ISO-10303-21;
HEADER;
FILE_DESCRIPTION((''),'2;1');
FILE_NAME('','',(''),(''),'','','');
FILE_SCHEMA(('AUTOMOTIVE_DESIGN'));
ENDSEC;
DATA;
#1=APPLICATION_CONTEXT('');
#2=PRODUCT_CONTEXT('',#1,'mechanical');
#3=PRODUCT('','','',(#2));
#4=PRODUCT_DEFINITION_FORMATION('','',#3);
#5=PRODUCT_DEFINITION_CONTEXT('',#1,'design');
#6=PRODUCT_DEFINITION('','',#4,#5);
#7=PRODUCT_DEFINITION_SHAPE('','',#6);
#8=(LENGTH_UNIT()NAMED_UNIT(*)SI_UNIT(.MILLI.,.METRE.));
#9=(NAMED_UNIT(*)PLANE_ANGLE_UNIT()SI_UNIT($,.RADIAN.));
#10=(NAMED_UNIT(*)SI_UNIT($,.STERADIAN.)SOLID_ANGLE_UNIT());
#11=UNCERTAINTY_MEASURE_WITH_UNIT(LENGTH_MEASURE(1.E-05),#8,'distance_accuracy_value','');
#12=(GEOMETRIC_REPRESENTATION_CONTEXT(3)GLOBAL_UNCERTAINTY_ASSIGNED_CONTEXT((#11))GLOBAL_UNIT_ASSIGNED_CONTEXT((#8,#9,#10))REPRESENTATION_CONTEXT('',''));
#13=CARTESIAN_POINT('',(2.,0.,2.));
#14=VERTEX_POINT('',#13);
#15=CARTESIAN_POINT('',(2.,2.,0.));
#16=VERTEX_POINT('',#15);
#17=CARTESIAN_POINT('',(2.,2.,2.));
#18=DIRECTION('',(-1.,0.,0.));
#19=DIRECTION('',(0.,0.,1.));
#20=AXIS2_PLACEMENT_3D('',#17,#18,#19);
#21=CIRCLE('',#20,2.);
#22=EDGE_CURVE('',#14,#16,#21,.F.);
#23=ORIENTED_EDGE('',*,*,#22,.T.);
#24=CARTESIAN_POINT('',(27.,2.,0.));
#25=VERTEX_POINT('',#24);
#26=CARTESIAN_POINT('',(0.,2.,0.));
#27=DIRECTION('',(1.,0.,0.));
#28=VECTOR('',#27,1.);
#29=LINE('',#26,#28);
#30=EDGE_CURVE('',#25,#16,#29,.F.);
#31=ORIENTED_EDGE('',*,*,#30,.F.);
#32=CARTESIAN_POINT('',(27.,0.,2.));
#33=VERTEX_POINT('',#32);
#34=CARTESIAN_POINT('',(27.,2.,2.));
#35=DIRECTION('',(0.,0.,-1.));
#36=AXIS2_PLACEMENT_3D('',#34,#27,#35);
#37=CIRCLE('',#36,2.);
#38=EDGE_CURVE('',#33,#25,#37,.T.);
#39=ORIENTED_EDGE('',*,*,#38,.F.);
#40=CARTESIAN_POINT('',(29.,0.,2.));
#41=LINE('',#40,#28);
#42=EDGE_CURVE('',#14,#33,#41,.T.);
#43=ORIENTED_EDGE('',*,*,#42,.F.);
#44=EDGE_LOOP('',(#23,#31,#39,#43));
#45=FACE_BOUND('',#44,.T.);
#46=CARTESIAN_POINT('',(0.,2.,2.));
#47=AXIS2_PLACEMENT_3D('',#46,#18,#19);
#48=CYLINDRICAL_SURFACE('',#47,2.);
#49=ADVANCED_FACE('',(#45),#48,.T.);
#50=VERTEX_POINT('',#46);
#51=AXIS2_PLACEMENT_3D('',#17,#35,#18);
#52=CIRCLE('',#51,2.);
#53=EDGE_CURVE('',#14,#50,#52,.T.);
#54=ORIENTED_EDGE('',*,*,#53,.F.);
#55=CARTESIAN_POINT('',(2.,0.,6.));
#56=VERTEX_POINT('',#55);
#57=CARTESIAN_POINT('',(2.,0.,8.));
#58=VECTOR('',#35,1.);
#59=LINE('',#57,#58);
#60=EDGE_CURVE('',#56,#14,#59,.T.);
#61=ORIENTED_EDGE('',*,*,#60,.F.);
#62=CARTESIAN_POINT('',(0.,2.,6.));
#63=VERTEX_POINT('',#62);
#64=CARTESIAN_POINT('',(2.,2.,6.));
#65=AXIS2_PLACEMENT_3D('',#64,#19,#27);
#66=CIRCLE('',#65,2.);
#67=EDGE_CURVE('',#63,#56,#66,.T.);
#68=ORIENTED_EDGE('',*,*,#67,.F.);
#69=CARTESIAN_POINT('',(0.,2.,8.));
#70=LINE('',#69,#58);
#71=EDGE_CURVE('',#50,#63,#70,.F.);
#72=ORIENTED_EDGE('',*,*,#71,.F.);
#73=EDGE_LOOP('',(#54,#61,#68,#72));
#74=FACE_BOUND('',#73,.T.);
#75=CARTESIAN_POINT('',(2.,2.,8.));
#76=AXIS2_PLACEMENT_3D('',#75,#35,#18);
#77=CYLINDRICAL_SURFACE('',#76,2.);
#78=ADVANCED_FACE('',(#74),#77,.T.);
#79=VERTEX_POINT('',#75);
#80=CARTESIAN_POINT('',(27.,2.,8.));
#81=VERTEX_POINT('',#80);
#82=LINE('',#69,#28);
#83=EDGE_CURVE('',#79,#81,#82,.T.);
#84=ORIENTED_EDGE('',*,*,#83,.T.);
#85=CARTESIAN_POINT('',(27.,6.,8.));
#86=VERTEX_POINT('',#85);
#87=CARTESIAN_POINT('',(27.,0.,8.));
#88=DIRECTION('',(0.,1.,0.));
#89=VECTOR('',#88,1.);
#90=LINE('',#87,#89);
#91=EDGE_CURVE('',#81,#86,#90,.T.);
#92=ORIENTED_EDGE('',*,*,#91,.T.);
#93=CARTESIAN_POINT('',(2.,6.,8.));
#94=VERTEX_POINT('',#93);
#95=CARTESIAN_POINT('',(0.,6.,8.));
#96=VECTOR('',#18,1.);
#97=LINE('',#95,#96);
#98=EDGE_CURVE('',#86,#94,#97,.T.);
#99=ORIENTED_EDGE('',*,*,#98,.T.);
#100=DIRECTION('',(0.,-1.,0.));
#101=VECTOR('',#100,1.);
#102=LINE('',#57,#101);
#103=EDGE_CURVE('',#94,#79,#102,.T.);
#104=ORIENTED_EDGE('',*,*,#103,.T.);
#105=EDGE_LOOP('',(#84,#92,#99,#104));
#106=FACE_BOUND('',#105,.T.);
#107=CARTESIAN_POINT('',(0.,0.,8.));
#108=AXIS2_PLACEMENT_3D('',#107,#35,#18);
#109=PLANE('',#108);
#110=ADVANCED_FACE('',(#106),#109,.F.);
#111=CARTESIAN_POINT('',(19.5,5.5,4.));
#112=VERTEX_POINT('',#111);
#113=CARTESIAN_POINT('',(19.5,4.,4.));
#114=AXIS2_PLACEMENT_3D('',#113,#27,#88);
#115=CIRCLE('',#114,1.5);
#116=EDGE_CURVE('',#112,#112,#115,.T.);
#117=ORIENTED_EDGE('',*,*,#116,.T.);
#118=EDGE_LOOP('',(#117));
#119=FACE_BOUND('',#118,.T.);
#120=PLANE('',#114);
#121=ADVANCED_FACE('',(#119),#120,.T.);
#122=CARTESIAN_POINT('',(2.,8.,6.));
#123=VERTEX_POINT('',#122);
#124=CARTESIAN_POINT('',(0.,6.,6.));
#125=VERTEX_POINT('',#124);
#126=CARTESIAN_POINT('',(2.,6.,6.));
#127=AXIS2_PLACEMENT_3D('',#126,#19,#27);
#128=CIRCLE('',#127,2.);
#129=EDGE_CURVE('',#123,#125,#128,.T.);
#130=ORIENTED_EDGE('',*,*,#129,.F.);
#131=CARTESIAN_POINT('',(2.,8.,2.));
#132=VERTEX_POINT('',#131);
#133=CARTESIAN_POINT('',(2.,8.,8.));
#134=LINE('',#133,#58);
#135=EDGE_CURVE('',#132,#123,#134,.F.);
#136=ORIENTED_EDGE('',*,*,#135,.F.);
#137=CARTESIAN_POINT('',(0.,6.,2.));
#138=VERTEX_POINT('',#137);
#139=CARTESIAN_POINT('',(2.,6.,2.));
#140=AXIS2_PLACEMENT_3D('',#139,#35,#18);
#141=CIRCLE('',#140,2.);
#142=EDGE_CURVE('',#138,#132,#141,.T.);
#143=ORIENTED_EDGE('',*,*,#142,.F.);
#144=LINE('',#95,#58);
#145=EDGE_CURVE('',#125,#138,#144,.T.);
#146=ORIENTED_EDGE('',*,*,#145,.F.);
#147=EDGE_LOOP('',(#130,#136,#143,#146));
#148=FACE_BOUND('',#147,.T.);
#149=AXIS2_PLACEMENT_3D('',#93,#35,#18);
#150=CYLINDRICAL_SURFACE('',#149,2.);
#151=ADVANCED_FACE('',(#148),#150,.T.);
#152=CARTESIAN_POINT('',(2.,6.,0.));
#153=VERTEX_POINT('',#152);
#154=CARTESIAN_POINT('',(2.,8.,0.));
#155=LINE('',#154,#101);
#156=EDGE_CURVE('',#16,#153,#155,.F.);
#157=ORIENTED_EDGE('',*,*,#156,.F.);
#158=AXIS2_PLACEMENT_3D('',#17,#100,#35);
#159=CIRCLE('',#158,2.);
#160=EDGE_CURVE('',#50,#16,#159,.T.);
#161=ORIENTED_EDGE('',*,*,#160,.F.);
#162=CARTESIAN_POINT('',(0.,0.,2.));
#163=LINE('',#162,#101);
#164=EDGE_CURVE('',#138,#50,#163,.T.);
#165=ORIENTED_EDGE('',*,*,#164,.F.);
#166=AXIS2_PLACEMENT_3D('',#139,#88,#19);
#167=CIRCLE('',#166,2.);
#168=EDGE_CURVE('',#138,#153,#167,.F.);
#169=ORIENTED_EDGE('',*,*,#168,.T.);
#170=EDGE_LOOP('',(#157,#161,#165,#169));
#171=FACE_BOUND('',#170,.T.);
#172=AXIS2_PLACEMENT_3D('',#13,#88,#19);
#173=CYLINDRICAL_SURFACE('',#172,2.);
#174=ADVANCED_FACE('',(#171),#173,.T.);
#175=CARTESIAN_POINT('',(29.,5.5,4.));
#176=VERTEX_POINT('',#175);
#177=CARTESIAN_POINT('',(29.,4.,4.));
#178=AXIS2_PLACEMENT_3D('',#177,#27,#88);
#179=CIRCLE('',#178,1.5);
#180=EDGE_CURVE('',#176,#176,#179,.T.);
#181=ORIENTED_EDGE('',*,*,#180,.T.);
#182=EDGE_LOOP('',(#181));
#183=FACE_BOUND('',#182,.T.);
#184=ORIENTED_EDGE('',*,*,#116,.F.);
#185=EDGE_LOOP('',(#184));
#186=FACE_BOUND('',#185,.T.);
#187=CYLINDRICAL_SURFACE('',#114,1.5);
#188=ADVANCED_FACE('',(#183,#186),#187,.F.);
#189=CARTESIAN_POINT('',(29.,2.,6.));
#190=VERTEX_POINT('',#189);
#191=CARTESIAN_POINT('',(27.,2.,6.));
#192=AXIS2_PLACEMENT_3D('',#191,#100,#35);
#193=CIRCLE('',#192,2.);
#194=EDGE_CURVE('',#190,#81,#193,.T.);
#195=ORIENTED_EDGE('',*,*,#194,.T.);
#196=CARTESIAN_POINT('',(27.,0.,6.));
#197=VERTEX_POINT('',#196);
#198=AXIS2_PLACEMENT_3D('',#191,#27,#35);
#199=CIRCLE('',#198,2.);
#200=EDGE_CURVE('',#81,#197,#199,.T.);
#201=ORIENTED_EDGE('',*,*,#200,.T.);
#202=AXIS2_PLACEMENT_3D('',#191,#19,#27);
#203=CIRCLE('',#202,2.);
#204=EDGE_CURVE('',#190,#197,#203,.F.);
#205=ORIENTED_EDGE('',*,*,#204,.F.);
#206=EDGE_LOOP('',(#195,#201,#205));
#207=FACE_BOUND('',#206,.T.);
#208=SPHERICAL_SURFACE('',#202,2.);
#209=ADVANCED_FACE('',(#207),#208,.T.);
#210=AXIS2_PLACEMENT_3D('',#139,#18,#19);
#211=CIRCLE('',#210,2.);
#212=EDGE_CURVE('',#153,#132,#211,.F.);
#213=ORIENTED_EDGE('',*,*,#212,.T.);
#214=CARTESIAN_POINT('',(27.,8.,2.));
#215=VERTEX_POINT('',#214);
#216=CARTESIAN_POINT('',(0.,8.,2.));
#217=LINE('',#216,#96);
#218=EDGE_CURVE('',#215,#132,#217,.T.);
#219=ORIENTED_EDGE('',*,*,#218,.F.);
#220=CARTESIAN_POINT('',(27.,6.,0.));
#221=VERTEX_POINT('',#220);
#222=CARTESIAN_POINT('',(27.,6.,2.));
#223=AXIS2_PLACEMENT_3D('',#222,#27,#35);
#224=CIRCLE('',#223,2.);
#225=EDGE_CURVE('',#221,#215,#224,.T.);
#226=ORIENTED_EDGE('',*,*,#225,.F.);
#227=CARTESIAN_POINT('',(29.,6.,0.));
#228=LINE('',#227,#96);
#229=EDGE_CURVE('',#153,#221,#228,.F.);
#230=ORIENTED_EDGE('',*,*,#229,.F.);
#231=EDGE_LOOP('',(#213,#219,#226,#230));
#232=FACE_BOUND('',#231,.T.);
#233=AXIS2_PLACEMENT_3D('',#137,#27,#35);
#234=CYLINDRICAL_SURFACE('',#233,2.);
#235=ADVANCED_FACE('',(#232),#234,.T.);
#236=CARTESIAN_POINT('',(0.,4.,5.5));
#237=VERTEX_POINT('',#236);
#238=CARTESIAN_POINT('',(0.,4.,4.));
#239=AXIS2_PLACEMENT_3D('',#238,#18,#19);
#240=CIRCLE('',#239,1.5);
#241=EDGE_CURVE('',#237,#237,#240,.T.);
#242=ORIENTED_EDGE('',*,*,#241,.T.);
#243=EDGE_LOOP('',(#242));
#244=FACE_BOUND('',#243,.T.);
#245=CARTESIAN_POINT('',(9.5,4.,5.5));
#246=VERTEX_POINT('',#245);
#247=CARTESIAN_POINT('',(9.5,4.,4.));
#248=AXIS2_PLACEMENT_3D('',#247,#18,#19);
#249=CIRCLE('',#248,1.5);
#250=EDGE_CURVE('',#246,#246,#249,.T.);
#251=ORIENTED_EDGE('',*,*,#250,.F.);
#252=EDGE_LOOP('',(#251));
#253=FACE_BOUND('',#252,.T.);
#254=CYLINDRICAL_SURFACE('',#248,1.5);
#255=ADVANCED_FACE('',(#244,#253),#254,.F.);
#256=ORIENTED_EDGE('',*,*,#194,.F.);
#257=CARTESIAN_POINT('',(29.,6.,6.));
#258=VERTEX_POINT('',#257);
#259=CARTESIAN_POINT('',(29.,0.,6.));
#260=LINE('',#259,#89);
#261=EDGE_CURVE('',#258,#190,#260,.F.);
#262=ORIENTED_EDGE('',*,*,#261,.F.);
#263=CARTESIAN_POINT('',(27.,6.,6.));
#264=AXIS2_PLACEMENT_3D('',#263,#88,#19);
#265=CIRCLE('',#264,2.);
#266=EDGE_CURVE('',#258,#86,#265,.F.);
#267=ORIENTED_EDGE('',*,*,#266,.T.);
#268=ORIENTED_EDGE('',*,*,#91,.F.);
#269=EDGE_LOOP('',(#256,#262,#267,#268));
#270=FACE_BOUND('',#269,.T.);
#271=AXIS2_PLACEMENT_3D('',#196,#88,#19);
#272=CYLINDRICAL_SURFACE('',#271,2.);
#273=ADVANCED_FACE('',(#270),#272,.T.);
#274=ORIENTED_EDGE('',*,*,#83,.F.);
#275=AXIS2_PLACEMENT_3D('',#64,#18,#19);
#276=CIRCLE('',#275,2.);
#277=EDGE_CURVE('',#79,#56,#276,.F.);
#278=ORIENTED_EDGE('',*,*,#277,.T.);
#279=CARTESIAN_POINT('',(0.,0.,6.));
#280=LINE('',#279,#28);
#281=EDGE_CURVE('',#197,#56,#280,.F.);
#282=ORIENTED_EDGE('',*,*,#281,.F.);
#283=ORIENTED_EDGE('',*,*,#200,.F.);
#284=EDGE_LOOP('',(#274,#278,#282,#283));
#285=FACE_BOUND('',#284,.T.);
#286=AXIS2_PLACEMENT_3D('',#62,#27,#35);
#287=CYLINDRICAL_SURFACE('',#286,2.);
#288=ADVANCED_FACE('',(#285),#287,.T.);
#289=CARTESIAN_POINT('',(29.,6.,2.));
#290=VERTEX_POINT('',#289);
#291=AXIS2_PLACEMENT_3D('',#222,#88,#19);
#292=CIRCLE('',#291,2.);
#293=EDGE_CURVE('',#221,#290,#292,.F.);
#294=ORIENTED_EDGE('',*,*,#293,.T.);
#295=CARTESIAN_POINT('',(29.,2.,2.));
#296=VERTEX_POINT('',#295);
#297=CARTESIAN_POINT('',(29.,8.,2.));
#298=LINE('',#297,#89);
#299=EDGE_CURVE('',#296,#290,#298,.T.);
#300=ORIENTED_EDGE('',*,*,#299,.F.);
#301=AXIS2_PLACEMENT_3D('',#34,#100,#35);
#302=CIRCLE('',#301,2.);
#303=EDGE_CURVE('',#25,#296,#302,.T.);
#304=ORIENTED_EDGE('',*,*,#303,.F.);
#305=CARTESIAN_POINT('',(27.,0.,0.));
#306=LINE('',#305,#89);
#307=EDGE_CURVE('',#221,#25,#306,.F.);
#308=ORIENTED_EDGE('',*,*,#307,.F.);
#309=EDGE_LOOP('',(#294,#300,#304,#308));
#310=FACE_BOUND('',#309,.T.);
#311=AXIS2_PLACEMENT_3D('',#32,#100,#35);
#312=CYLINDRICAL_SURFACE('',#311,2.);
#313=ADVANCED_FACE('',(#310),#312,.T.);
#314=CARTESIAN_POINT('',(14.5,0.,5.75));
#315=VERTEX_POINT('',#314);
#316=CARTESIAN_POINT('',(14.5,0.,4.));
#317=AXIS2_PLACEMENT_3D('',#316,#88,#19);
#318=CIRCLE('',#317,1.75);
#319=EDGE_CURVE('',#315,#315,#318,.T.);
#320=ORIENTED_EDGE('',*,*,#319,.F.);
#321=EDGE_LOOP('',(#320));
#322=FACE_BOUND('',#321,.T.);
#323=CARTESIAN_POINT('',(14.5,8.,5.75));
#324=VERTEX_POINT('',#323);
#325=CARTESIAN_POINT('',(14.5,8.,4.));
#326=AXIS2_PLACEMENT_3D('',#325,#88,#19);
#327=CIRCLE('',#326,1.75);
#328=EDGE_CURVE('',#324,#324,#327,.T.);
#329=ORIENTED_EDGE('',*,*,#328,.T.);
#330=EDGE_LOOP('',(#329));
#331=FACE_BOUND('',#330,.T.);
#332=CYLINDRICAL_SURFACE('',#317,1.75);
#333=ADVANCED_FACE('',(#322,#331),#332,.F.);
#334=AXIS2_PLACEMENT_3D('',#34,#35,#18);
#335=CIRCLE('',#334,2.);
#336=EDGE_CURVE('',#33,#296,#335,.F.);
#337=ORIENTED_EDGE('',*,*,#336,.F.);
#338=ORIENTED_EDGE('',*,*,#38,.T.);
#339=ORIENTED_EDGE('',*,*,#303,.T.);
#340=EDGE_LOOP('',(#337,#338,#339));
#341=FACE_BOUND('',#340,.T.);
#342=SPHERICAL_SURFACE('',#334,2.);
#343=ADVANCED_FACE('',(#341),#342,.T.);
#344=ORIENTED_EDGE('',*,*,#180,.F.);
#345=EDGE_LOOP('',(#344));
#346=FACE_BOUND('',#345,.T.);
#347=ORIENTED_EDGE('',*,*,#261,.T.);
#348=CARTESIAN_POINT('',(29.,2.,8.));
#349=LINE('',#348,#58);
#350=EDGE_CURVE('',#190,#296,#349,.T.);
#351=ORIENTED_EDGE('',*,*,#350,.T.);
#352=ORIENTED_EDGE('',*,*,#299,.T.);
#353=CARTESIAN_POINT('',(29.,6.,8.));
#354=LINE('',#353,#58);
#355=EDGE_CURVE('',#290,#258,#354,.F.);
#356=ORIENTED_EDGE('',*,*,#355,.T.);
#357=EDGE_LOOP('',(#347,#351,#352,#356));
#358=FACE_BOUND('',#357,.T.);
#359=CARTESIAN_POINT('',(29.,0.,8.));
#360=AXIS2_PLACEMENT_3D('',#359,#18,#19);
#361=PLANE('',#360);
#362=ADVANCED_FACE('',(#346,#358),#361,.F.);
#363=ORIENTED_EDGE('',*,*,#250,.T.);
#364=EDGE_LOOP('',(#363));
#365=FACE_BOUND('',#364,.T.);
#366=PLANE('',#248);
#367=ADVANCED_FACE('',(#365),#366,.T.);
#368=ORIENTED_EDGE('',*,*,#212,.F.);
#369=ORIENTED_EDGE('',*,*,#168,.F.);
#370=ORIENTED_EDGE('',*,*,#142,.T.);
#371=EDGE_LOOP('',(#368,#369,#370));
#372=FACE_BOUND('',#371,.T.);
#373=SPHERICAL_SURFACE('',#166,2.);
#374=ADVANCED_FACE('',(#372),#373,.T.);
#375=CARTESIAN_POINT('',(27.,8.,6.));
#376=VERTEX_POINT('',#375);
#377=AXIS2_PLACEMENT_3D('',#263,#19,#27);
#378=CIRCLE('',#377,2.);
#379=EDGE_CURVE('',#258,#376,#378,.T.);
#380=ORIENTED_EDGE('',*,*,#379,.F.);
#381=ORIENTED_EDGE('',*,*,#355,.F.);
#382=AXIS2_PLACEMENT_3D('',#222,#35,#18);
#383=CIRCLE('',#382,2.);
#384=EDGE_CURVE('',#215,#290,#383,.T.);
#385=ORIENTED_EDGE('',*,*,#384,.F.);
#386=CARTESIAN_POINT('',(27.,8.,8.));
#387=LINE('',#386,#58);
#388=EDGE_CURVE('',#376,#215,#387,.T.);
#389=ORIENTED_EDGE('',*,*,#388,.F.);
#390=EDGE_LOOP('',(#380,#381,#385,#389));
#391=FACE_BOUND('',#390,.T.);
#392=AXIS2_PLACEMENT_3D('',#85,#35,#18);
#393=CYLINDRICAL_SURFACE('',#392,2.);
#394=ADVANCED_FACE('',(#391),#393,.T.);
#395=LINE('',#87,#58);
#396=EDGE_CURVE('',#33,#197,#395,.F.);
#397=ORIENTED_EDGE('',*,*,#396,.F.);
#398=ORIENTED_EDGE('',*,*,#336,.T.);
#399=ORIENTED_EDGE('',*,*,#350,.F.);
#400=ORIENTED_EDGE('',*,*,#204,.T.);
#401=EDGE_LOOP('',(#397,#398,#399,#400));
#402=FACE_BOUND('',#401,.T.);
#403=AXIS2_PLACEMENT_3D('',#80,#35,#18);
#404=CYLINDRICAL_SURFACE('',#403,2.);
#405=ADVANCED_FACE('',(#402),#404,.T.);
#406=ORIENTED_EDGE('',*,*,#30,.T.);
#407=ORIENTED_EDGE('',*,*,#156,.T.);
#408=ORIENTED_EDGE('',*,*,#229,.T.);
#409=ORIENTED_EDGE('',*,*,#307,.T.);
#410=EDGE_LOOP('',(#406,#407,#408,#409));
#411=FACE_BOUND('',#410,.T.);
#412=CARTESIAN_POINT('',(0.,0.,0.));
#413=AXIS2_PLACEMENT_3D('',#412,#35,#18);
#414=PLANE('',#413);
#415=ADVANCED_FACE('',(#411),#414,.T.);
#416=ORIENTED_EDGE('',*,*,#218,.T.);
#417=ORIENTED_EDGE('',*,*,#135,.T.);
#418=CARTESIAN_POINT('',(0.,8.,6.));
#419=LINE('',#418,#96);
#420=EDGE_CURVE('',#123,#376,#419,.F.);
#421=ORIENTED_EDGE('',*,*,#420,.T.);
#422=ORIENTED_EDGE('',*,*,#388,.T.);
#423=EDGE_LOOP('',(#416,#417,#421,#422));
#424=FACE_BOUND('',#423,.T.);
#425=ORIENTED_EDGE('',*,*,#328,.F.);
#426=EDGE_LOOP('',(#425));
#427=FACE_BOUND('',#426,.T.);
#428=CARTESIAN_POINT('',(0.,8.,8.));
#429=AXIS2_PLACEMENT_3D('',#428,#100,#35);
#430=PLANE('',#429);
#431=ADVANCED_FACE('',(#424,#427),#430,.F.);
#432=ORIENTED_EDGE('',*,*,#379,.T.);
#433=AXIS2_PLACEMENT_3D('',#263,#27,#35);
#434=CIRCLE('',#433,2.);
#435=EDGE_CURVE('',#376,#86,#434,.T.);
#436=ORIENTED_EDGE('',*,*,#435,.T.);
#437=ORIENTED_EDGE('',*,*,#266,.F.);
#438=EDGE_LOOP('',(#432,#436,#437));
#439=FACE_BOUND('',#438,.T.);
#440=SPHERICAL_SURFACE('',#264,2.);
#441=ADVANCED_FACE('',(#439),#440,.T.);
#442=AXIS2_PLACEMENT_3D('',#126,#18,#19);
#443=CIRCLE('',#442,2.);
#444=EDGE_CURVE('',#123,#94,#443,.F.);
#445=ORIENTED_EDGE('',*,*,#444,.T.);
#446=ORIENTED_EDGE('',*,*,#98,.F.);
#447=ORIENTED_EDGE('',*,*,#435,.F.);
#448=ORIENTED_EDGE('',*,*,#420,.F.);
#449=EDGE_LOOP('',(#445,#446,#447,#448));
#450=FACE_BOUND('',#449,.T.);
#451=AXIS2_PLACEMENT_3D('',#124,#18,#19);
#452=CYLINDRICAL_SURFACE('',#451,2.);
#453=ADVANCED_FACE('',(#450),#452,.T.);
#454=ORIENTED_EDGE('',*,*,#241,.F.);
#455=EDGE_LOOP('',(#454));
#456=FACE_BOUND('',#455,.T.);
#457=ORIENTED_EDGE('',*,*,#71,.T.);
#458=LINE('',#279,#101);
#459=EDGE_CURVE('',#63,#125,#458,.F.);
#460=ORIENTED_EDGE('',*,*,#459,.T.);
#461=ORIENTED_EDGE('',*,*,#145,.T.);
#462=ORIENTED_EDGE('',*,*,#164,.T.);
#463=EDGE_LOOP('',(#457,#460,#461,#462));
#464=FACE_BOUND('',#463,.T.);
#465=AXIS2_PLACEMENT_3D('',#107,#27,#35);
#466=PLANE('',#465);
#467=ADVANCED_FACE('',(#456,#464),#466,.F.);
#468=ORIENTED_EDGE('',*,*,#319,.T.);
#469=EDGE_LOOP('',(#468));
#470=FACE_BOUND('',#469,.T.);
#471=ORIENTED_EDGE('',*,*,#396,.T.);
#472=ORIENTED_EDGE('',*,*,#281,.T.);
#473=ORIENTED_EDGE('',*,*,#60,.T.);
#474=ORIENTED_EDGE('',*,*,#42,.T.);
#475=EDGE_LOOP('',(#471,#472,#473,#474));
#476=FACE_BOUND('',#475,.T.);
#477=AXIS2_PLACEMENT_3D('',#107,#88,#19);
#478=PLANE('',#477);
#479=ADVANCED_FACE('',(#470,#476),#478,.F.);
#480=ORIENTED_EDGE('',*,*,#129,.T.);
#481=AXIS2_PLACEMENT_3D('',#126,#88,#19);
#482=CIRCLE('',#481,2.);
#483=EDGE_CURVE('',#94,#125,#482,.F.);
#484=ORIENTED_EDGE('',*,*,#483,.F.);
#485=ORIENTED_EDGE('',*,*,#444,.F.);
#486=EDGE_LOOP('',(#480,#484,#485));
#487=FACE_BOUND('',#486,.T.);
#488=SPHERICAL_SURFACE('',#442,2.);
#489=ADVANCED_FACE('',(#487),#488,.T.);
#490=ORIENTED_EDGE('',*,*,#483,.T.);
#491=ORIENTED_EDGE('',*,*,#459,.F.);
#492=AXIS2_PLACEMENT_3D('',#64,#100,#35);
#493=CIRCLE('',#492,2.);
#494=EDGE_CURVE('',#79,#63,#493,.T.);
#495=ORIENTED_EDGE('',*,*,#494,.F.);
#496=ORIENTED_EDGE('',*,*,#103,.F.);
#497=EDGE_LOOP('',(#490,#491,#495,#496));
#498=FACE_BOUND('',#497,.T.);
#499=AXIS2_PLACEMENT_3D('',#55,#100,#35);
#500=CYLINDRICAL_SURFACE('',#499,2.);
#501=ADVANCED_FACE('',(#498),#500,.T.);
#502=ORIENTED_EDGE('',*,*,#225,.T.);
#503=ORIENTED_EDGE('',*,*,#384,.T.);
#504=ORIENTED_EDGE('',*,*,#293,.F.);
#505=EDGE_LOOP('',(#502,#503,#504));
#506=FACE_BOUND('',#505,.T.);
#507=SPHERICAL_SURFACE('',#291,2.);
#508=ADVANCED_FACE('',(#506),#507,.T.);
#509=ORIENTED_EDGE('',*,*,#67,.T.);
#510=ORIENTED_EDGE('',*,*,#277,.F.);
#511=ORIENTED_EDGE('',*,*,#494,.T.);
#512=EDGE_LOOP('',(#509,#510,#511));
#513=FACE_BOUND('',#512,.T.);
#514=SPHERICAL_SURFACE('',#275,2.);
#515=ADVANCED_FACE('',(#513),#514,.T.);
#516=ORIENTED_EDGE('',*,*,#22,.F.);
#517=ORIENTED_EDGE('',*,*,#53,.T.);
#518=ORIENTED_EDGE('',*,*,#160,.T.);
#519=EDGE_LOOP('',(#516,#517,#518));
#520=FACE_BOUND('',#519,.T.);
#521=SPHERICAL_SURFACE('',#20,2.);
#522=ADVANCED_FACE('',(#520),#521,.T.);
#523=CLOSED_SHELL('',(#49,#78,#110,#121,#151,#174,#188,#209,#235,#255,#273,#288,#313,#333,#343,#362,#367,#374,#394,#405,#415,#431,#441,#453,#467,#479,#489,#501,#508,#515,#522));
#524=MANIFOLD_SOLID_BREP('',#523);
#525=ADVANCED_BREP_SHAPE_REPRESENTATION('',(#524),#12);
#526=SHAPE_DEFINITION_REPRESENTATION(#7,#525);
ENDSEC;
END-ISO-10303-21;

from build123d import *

# Parameters (mm, degrees)
CROQUIS1_W              = 29
CROQUIS1_H              = 8
SALIENTE_EXTRUIR1_DEPTH = 8
CROQUIS4_R              = 1.75
CORTAR_EXTRUIR1_DEPTH   = 9
REDONDEO1_R             = 2
CROQUIS5_R              = 1.5
CORTAR_EXTRUIR2_DEPTH   = 9.5
CROQUIS6_R              = 1.5
CORTAR_EXTRUIR3_DEPTH   = 9.5


with BuildPart() as part:
    # Croquis1 → Saliente-Extruir1 (new body)
    with BuildSketch(Plane.XY):
        with Locations((14.5, 4)):
            Rectangle(CROQUIS1_W, CROQUIS1_H)
    extrude(amount=SALIENTE_EXTRUIR1_DEPTH)

    # Croquis4 → Cortar-Extruir1 (cut, through all)
    with BuildSketch(Plane(origin=(0, 8, 0), x_dir=(1, 0, 0), z_dir=(0, 1, 0))):
        with Locations((14.5, -4)):
            Circle(CROQUIS4_R)
    extrude(amount=-CORTAR_EXTRUIR1_DEPTH, mode=Mode.SUBTRACT)

    # Redondeo1
    redondeo1_edges = [part.edges().sort_by_distance(p)[0] for p in [
        (29, 4, 8),
        (14.5, 8, 8),
        (0, 4, 8),
        (14.5, 8, 0),
        (29, 4, 0),
        (14.5, 0, 0),
        (0, 4, 0),
        (0, 8, 4),
        (29, 8, 4),
        (29, 0, 4),
        (0, 0, 4),
        (14.5, 0, 8),
    ]]
    fillet(redondeo1_edges, radius=REDONDEO1_R)

    # Croquis5 → Cortar-Extruir2 (cut)
    with BuildSketch(Plane(origin=(29, 0, 0), x_dir=(0, 0, -1), z_dir=(1, 0, 0))):
        with Locations((-4, 4)):
            Circle(CROQUIS5_R)
    extrude(amount=-CORTAR_EXTRUIR2_DEPTH, mode=Mode.SUBTRACT)

    # Croquis6 → Cortar-Extruir3 (cut)
    with BuildSketch(Plane.ZY):
        with Locations((4, 4)):
            Circle(CROQUIS6_R)
    extrude(amount=-CORTAR_EXTRUIR3_DEPTH, mode=Mode.SUBTRACT)


solid = part.part
